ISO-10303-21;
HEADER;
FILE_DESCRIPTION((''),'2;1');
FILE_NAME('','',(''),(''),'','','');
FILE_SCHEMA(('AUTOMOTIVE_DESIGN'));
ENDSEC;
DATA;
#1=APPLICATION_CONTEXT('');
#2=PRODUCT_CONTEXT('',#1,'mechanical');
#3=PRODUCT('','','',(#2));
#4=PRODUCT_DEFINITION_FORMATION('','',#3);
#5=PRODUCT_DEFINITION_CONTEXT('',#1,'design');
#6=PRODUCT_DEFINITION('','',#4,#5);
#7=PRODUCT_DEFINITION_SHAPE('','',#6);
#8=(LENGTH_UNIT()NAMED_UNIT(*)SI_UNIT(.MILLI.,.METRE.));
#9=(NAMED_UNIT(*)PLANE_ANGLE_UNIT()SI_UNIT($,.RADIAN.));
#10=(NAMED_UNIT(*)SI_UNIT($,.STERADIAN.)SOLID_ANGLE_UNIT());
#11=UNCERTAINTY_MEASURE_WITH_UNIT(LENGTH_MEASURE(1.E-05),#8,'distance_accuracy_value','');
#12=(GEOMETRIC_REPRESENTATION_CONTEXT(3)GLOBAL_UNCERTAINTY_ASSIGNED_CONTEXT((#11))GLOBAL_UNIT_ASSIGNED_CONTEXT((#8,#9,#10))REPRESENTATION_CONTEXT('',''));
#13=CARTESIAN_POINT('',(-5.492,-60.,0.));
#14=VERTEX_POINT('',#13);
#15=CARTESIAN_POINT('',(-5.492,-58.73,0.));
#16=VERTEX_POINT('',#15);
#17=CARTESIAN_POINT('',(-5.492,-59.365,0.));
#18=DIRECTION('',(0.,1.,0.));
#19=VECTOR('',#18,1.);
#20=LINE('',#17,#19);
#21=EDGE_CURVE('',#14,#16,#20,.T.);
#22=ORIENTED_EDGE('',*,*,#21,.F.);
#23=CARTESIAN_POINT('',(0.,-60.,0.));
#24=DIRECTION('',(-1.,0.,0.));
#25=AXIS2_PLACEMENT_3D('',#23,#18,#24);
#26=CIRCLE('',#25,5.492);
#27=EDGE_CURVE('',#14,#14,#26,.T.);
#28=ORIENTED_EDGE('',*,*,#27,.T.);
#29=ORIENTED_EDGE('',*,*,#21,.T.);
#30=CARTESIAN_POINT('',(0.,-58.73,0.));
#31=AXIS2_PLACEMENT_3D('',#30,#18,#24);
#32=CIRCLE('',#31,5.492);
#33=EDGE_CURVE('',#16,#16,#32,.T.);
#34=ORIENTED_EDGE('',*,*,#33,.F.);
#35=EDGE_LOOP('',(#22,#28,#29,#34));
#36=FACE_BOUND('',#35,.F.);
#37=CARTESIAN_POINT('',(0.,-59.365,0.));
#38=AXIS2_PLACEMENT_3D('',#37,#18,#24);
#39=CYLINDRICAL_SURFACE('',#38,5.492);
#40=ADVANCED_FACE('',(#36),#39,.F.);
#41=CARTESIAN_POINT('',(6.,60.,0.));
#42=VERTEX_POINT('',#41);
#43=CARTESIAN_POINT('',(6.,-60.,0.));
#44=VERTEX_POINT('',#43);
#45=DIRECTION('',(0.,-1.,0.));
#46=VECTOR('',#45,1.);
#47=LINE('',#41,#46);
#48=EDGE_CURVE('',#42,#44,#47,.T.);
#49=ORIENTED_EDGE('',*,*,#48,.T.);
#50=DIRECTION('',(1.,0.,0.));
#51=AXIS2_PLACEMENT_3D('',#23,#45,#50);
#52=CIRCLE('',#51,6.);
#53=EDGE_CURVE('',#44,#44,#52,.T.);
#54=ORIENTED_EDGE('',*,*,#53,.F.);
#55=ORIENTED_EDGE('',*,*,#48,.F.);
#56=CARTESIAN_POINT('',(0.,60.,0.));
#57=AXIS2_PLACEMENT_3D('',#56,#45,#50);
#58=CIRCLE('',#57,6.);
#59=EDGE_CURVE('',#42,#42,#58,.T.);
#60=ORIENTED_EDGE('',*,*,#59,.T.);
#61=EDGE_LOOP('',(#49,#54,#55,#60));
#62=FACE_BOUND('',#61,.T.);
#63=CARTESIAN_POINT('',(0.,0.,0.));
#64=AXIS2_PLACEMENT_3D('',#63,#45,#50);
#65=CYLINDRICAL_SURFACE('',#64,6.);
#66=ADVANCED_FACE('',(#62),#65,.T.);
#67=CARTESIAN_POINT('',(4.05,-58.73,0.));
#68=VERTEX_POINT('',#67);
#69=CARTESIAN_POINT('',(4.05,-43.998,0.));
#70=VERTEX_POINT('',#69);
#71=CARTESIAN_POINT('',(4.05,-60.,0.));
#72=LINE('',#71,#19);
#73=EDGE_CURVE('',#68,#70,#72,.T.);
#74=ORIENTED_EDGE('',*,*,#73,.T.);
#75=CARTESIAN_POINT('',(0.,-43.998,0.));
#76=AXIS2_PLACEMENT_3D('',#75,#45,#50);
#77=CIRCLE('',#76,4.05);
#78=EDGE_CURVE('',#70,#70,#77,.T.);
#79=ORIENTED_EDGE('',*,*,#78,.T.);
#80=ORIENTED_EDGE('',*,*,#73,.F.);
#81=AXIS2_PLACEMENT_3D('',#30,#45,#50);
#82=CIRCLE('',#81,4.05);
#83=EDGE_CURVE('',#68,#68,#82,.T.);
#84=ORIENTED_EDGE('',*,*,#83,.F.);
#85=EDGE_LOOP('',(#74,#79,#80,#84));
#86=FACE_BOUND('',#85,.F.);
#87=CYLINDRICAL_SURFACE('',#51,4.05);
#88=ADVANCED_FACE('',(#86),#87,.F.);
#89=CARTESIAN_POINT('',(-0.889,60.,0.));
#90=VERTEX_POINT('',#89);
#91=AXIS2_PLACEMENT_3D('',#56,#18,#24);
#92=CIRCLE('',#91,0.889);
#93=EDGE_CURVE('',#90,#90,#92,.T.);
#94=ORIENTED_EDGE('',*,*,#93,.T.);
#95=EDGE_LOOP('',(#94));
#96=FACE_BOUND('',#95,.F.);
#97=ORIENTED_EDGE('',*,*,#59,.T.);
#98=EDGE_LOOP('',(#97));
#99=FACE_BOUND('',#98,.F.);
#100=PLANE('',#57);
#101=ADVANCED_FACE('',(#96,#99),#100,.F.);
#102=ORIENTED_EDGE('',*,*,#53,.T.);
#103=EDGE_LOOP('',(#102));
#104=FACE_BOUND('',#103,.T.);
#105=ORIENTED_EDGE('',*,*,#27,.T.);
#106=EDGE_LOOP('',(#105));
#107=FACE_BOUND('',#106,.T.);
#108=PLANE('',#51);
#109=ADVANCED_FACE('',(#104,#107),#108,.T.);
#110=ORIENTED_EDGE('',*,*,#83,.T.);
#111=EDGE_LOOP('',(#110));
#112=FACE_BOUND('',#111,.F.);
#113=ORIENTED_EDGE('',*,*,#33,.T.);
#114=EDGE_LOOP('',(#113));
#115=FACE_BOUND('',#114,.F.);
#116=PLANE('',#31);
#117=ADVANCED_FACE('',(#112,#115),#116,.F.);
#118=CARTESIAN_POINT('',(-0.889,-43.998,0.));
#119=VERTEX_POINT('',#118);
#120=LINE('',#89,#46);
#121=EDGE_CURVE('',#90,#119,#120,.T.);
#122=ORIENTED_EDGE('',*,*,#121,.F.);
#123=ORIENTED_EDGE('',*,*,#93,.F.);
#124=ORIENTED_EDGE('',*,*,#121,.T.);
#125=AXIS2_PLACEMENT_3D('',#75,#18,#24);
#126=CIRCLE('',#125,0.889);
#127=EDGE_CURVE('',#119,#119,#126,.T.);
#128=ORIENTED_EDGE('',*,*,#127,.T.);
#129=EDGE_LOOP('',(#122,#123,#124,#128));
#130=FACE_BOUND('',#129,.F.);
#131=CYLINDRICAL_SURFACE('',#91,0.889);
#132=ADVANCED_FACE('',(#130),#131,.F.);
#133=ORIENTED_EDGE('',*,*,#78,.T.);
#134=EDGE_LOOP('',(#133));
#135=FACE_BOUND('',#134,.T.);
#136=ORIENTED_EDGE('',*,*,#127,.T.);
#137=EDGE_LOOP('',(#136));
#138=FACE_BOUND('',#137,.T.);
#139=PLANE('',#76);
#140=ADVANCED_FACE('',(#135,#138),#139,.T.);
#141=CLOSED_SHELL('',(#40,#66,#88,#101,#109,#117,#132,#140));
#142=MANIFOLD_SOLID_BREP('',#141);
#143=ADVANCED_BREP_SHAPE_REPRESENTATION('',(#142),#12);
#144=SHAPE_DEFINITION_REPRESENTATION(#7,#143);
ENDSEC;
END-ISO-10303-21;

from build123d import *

# Parameters (mm, degrees)
F0_R     = 6
F1_DEPTH = 60
F2_R     = 4.05
F3_DEPTH = 16.002
F4_R     = 0.889
F5_DEPTH = 120.001
F6_W     = 1.651
F6_H     = 1.27


with BuildPart() as f1:
    # F0 (on Front) → F1 (new body, symmetric)
    with BuildSketch(Plane.XZ):
        Circle(F0_R)
    extrude(amount=F1_DEPTH, both=True)

    # F2 (on face) → F3 (cut)
    with BuildSketch(Plane.XZ.offset(60)):
        Circle(F2_R)
    extrude(amount=-F3_DEPTH, mode=Mode.SUBTRACT)

    # F4 (on face) → F5 (cut, through all)
    with BuildSketch(Plane(origin=(0, 60, 0), x_dir=(-1, 0, 0), z_dir=(0, 1, 0))):
        Circle(F4_R)
    extrude(amount=-F5_DEPTH, mode=Mode.SUBTRACT)

    # F6 (on Top) → F7 (revolve, cut)
    with BuildSketch(Plane.XY):
        with Locations((-4.6665, -59.365)):
            Rectangle(F6_W, F6_H)
    revolve(axis=Axis((0, -59.477242, 0), (0, 1, 0)), mode=Mode.SUBTRACT)


solid = f1.part
